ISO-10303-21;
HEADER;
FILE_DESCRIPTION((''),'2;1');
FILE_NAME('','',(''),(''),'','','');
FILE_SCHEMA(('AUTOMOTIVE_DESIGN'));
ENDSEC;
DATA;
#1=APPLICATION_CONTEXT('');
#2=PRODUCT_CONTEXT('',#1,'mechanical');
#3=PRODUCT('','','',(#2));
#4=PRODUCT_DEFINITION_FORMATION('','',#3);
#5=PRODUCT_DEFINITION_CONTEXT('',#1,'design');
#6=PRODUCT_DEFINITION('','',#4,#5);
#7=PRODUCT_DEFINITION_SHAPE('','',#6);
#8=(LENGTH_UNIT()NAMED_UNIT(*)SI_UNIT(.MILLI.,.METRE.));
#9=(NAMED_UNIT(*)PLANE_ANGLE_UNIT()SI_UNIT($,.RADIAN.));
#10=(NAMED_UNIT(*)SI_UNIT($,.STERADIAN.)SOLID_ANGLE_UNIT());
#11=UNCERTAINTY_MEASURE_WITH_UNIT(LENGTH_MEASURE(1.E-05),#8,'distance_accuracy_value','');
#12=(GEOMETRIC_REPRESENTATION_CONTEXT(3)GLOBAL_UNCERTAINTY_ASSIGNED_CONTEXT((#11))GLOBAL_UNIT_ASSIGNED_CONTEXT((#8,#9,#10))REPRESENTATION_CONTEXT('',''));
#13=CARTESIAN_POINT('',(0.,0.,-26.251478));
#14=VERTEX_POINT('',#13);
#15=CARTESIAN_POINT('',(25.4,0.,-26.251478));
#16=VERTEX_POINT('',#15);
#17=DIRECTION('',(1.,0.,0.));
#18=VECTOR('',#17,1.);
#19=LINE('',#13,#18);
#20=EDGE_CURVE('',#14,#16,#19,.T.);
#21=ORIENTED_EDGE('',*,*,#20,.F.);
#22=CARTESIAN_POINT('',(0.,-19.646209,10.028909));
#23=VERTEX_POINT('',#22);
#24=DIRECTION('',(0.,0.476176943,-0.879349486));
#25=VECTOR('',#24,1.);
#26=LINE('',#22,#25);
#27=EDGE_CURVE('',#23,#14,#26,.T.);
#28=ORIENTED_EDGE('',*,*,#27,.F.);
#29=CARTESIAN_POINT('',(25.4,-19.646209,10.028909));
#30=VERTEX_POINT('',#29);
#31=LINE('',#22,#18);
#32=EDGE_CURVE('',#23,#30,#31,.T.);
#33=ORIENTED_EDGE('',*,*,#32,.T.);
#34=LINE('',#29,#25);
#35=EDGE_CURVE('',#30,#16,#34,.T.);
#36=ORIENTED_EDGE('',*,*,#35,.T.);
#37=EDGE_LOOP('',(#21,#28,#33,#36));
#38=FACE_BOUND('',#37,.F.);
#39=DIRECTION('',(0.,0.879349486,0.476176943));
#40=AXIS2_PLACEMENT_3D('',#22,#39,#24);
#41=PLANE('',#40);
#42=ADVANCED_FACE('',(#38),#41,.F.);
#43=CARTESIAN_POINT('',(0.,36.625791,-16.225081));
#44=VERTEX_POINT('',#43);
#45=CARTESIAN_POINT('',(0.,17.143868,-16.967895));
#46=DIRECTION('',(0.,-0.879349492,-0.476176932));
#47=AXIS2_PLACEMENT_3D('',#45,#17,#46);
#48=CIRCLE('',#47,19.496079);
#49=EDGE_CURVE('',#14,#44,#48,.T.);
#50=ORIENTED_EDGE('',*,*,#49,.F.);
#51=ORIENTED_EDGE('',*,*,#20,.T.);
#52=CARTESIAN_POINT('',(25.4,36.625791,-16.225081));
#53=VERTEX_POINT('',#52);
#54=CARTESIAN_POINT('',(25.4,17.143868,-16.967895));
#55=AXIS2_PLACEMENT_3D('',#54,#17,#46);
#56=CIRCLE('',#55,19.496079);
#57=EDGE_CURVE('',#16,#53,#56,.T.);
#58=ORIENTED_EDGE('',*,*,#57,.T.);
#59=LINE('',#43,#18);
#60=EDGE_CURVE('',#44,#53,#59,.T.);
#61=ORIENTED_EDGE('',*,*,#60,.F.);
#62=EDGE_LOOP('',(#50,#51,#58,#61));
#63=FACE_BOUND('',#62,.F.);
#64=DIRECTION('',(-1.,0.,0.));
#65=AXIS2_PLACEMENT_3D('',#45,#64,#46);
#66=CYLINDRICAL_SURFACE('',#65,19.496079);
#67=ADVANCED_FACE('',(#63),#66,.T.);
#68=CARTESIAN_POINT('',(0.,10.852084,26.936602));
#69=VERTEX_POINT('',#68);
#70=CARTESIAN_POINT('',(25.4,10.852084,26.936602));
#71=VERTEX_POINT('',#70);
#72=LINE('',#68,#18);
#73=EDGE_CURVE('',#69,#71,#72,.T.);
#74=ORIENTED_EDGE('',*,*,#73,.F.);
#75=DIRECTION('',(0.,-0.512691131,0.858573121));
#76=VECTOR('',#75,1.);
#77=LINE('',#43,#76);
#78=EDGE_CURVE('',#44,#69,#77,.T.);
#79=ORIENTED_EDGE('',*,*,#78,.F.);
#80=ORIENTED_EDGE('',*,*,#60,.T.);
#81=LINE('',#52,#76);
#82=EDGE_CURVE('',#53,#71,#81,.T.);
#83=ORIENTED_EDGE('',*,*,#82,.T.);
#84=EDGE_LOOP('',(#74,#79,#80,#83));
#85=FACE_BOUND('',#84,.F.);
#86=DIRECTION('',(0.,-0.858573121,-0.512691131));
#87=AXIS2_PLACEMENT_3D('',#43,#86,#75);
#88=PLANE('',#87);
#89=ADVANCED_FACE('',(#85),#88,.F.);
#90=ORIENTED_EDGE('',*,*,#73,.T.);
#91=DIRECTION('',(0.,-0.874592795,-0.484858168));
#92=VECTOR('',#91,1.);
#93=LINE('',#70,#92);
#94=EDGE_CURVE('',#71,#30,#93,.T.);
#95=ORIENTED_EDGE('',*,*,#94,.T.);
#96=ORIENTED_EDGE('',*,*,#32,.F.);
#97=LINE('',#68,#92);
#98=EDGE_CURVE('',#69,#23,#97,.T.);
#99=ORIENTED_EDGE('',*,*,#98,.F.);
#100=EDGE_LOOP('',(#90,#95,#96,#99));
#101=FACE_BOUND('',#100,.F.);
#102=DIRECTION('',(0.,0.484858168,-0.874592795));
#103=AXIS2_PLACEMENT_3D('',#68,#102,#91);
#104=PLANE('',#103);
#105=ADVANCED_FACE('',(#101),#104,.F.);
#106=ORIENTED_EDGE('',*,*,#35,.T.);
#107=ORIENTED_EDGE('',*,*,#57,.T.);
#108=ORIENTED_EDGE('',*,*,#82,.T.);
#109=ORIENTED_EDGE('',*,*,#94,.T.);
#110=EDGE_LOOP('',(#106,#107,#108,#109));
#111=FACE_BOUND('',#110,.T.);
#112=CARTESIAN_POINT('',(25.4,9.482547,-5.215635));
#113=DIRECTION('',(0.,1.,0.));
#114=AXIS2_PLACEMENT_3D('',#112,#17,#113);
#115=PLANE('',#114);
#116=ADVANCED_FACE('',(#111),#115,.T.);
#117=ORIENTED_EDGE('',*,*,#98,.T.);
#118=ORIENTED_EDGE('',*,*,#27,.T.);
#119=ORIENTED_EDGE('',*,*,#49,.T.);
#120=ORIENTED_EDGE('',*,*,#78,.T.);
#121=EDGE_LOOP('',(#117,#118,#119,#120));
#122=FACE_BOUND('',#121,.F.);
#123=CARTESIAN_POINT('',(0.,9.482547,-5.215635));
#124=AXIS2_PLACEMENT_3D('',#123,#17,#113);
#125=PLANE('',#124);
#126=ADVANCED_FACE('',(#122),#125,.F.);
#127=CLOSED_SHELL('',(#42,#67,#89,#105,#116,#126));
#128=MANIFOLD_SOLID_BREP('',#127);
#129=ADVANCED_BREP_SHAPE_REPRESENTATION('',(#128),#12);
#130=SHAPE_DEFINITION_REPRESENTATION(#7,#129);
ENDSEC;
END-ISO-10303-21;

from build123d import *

# Parameters (mm, degrees)
F1_DEPTH = 25.4


with BuildPart() as f1:
    # F0 (on Right) → F1 (new body)
    with BuildSketch(Plane.YZ):
        with BuildLine():
            Line((-19.646209, 10.028909), (0, -26.251478))
            ThreePointArc((0, -26.251478), (22.291565, -35.772105), (36.625791, -16.225081))
            Line((36.625791, -16.225081), (10.852084, 26.936602))
            Line((10.852084, 26.936602), (-19.646209, 10.028909))
        make_face()
    extrude(amount=F1_DEPTH)


solid = f1.part
